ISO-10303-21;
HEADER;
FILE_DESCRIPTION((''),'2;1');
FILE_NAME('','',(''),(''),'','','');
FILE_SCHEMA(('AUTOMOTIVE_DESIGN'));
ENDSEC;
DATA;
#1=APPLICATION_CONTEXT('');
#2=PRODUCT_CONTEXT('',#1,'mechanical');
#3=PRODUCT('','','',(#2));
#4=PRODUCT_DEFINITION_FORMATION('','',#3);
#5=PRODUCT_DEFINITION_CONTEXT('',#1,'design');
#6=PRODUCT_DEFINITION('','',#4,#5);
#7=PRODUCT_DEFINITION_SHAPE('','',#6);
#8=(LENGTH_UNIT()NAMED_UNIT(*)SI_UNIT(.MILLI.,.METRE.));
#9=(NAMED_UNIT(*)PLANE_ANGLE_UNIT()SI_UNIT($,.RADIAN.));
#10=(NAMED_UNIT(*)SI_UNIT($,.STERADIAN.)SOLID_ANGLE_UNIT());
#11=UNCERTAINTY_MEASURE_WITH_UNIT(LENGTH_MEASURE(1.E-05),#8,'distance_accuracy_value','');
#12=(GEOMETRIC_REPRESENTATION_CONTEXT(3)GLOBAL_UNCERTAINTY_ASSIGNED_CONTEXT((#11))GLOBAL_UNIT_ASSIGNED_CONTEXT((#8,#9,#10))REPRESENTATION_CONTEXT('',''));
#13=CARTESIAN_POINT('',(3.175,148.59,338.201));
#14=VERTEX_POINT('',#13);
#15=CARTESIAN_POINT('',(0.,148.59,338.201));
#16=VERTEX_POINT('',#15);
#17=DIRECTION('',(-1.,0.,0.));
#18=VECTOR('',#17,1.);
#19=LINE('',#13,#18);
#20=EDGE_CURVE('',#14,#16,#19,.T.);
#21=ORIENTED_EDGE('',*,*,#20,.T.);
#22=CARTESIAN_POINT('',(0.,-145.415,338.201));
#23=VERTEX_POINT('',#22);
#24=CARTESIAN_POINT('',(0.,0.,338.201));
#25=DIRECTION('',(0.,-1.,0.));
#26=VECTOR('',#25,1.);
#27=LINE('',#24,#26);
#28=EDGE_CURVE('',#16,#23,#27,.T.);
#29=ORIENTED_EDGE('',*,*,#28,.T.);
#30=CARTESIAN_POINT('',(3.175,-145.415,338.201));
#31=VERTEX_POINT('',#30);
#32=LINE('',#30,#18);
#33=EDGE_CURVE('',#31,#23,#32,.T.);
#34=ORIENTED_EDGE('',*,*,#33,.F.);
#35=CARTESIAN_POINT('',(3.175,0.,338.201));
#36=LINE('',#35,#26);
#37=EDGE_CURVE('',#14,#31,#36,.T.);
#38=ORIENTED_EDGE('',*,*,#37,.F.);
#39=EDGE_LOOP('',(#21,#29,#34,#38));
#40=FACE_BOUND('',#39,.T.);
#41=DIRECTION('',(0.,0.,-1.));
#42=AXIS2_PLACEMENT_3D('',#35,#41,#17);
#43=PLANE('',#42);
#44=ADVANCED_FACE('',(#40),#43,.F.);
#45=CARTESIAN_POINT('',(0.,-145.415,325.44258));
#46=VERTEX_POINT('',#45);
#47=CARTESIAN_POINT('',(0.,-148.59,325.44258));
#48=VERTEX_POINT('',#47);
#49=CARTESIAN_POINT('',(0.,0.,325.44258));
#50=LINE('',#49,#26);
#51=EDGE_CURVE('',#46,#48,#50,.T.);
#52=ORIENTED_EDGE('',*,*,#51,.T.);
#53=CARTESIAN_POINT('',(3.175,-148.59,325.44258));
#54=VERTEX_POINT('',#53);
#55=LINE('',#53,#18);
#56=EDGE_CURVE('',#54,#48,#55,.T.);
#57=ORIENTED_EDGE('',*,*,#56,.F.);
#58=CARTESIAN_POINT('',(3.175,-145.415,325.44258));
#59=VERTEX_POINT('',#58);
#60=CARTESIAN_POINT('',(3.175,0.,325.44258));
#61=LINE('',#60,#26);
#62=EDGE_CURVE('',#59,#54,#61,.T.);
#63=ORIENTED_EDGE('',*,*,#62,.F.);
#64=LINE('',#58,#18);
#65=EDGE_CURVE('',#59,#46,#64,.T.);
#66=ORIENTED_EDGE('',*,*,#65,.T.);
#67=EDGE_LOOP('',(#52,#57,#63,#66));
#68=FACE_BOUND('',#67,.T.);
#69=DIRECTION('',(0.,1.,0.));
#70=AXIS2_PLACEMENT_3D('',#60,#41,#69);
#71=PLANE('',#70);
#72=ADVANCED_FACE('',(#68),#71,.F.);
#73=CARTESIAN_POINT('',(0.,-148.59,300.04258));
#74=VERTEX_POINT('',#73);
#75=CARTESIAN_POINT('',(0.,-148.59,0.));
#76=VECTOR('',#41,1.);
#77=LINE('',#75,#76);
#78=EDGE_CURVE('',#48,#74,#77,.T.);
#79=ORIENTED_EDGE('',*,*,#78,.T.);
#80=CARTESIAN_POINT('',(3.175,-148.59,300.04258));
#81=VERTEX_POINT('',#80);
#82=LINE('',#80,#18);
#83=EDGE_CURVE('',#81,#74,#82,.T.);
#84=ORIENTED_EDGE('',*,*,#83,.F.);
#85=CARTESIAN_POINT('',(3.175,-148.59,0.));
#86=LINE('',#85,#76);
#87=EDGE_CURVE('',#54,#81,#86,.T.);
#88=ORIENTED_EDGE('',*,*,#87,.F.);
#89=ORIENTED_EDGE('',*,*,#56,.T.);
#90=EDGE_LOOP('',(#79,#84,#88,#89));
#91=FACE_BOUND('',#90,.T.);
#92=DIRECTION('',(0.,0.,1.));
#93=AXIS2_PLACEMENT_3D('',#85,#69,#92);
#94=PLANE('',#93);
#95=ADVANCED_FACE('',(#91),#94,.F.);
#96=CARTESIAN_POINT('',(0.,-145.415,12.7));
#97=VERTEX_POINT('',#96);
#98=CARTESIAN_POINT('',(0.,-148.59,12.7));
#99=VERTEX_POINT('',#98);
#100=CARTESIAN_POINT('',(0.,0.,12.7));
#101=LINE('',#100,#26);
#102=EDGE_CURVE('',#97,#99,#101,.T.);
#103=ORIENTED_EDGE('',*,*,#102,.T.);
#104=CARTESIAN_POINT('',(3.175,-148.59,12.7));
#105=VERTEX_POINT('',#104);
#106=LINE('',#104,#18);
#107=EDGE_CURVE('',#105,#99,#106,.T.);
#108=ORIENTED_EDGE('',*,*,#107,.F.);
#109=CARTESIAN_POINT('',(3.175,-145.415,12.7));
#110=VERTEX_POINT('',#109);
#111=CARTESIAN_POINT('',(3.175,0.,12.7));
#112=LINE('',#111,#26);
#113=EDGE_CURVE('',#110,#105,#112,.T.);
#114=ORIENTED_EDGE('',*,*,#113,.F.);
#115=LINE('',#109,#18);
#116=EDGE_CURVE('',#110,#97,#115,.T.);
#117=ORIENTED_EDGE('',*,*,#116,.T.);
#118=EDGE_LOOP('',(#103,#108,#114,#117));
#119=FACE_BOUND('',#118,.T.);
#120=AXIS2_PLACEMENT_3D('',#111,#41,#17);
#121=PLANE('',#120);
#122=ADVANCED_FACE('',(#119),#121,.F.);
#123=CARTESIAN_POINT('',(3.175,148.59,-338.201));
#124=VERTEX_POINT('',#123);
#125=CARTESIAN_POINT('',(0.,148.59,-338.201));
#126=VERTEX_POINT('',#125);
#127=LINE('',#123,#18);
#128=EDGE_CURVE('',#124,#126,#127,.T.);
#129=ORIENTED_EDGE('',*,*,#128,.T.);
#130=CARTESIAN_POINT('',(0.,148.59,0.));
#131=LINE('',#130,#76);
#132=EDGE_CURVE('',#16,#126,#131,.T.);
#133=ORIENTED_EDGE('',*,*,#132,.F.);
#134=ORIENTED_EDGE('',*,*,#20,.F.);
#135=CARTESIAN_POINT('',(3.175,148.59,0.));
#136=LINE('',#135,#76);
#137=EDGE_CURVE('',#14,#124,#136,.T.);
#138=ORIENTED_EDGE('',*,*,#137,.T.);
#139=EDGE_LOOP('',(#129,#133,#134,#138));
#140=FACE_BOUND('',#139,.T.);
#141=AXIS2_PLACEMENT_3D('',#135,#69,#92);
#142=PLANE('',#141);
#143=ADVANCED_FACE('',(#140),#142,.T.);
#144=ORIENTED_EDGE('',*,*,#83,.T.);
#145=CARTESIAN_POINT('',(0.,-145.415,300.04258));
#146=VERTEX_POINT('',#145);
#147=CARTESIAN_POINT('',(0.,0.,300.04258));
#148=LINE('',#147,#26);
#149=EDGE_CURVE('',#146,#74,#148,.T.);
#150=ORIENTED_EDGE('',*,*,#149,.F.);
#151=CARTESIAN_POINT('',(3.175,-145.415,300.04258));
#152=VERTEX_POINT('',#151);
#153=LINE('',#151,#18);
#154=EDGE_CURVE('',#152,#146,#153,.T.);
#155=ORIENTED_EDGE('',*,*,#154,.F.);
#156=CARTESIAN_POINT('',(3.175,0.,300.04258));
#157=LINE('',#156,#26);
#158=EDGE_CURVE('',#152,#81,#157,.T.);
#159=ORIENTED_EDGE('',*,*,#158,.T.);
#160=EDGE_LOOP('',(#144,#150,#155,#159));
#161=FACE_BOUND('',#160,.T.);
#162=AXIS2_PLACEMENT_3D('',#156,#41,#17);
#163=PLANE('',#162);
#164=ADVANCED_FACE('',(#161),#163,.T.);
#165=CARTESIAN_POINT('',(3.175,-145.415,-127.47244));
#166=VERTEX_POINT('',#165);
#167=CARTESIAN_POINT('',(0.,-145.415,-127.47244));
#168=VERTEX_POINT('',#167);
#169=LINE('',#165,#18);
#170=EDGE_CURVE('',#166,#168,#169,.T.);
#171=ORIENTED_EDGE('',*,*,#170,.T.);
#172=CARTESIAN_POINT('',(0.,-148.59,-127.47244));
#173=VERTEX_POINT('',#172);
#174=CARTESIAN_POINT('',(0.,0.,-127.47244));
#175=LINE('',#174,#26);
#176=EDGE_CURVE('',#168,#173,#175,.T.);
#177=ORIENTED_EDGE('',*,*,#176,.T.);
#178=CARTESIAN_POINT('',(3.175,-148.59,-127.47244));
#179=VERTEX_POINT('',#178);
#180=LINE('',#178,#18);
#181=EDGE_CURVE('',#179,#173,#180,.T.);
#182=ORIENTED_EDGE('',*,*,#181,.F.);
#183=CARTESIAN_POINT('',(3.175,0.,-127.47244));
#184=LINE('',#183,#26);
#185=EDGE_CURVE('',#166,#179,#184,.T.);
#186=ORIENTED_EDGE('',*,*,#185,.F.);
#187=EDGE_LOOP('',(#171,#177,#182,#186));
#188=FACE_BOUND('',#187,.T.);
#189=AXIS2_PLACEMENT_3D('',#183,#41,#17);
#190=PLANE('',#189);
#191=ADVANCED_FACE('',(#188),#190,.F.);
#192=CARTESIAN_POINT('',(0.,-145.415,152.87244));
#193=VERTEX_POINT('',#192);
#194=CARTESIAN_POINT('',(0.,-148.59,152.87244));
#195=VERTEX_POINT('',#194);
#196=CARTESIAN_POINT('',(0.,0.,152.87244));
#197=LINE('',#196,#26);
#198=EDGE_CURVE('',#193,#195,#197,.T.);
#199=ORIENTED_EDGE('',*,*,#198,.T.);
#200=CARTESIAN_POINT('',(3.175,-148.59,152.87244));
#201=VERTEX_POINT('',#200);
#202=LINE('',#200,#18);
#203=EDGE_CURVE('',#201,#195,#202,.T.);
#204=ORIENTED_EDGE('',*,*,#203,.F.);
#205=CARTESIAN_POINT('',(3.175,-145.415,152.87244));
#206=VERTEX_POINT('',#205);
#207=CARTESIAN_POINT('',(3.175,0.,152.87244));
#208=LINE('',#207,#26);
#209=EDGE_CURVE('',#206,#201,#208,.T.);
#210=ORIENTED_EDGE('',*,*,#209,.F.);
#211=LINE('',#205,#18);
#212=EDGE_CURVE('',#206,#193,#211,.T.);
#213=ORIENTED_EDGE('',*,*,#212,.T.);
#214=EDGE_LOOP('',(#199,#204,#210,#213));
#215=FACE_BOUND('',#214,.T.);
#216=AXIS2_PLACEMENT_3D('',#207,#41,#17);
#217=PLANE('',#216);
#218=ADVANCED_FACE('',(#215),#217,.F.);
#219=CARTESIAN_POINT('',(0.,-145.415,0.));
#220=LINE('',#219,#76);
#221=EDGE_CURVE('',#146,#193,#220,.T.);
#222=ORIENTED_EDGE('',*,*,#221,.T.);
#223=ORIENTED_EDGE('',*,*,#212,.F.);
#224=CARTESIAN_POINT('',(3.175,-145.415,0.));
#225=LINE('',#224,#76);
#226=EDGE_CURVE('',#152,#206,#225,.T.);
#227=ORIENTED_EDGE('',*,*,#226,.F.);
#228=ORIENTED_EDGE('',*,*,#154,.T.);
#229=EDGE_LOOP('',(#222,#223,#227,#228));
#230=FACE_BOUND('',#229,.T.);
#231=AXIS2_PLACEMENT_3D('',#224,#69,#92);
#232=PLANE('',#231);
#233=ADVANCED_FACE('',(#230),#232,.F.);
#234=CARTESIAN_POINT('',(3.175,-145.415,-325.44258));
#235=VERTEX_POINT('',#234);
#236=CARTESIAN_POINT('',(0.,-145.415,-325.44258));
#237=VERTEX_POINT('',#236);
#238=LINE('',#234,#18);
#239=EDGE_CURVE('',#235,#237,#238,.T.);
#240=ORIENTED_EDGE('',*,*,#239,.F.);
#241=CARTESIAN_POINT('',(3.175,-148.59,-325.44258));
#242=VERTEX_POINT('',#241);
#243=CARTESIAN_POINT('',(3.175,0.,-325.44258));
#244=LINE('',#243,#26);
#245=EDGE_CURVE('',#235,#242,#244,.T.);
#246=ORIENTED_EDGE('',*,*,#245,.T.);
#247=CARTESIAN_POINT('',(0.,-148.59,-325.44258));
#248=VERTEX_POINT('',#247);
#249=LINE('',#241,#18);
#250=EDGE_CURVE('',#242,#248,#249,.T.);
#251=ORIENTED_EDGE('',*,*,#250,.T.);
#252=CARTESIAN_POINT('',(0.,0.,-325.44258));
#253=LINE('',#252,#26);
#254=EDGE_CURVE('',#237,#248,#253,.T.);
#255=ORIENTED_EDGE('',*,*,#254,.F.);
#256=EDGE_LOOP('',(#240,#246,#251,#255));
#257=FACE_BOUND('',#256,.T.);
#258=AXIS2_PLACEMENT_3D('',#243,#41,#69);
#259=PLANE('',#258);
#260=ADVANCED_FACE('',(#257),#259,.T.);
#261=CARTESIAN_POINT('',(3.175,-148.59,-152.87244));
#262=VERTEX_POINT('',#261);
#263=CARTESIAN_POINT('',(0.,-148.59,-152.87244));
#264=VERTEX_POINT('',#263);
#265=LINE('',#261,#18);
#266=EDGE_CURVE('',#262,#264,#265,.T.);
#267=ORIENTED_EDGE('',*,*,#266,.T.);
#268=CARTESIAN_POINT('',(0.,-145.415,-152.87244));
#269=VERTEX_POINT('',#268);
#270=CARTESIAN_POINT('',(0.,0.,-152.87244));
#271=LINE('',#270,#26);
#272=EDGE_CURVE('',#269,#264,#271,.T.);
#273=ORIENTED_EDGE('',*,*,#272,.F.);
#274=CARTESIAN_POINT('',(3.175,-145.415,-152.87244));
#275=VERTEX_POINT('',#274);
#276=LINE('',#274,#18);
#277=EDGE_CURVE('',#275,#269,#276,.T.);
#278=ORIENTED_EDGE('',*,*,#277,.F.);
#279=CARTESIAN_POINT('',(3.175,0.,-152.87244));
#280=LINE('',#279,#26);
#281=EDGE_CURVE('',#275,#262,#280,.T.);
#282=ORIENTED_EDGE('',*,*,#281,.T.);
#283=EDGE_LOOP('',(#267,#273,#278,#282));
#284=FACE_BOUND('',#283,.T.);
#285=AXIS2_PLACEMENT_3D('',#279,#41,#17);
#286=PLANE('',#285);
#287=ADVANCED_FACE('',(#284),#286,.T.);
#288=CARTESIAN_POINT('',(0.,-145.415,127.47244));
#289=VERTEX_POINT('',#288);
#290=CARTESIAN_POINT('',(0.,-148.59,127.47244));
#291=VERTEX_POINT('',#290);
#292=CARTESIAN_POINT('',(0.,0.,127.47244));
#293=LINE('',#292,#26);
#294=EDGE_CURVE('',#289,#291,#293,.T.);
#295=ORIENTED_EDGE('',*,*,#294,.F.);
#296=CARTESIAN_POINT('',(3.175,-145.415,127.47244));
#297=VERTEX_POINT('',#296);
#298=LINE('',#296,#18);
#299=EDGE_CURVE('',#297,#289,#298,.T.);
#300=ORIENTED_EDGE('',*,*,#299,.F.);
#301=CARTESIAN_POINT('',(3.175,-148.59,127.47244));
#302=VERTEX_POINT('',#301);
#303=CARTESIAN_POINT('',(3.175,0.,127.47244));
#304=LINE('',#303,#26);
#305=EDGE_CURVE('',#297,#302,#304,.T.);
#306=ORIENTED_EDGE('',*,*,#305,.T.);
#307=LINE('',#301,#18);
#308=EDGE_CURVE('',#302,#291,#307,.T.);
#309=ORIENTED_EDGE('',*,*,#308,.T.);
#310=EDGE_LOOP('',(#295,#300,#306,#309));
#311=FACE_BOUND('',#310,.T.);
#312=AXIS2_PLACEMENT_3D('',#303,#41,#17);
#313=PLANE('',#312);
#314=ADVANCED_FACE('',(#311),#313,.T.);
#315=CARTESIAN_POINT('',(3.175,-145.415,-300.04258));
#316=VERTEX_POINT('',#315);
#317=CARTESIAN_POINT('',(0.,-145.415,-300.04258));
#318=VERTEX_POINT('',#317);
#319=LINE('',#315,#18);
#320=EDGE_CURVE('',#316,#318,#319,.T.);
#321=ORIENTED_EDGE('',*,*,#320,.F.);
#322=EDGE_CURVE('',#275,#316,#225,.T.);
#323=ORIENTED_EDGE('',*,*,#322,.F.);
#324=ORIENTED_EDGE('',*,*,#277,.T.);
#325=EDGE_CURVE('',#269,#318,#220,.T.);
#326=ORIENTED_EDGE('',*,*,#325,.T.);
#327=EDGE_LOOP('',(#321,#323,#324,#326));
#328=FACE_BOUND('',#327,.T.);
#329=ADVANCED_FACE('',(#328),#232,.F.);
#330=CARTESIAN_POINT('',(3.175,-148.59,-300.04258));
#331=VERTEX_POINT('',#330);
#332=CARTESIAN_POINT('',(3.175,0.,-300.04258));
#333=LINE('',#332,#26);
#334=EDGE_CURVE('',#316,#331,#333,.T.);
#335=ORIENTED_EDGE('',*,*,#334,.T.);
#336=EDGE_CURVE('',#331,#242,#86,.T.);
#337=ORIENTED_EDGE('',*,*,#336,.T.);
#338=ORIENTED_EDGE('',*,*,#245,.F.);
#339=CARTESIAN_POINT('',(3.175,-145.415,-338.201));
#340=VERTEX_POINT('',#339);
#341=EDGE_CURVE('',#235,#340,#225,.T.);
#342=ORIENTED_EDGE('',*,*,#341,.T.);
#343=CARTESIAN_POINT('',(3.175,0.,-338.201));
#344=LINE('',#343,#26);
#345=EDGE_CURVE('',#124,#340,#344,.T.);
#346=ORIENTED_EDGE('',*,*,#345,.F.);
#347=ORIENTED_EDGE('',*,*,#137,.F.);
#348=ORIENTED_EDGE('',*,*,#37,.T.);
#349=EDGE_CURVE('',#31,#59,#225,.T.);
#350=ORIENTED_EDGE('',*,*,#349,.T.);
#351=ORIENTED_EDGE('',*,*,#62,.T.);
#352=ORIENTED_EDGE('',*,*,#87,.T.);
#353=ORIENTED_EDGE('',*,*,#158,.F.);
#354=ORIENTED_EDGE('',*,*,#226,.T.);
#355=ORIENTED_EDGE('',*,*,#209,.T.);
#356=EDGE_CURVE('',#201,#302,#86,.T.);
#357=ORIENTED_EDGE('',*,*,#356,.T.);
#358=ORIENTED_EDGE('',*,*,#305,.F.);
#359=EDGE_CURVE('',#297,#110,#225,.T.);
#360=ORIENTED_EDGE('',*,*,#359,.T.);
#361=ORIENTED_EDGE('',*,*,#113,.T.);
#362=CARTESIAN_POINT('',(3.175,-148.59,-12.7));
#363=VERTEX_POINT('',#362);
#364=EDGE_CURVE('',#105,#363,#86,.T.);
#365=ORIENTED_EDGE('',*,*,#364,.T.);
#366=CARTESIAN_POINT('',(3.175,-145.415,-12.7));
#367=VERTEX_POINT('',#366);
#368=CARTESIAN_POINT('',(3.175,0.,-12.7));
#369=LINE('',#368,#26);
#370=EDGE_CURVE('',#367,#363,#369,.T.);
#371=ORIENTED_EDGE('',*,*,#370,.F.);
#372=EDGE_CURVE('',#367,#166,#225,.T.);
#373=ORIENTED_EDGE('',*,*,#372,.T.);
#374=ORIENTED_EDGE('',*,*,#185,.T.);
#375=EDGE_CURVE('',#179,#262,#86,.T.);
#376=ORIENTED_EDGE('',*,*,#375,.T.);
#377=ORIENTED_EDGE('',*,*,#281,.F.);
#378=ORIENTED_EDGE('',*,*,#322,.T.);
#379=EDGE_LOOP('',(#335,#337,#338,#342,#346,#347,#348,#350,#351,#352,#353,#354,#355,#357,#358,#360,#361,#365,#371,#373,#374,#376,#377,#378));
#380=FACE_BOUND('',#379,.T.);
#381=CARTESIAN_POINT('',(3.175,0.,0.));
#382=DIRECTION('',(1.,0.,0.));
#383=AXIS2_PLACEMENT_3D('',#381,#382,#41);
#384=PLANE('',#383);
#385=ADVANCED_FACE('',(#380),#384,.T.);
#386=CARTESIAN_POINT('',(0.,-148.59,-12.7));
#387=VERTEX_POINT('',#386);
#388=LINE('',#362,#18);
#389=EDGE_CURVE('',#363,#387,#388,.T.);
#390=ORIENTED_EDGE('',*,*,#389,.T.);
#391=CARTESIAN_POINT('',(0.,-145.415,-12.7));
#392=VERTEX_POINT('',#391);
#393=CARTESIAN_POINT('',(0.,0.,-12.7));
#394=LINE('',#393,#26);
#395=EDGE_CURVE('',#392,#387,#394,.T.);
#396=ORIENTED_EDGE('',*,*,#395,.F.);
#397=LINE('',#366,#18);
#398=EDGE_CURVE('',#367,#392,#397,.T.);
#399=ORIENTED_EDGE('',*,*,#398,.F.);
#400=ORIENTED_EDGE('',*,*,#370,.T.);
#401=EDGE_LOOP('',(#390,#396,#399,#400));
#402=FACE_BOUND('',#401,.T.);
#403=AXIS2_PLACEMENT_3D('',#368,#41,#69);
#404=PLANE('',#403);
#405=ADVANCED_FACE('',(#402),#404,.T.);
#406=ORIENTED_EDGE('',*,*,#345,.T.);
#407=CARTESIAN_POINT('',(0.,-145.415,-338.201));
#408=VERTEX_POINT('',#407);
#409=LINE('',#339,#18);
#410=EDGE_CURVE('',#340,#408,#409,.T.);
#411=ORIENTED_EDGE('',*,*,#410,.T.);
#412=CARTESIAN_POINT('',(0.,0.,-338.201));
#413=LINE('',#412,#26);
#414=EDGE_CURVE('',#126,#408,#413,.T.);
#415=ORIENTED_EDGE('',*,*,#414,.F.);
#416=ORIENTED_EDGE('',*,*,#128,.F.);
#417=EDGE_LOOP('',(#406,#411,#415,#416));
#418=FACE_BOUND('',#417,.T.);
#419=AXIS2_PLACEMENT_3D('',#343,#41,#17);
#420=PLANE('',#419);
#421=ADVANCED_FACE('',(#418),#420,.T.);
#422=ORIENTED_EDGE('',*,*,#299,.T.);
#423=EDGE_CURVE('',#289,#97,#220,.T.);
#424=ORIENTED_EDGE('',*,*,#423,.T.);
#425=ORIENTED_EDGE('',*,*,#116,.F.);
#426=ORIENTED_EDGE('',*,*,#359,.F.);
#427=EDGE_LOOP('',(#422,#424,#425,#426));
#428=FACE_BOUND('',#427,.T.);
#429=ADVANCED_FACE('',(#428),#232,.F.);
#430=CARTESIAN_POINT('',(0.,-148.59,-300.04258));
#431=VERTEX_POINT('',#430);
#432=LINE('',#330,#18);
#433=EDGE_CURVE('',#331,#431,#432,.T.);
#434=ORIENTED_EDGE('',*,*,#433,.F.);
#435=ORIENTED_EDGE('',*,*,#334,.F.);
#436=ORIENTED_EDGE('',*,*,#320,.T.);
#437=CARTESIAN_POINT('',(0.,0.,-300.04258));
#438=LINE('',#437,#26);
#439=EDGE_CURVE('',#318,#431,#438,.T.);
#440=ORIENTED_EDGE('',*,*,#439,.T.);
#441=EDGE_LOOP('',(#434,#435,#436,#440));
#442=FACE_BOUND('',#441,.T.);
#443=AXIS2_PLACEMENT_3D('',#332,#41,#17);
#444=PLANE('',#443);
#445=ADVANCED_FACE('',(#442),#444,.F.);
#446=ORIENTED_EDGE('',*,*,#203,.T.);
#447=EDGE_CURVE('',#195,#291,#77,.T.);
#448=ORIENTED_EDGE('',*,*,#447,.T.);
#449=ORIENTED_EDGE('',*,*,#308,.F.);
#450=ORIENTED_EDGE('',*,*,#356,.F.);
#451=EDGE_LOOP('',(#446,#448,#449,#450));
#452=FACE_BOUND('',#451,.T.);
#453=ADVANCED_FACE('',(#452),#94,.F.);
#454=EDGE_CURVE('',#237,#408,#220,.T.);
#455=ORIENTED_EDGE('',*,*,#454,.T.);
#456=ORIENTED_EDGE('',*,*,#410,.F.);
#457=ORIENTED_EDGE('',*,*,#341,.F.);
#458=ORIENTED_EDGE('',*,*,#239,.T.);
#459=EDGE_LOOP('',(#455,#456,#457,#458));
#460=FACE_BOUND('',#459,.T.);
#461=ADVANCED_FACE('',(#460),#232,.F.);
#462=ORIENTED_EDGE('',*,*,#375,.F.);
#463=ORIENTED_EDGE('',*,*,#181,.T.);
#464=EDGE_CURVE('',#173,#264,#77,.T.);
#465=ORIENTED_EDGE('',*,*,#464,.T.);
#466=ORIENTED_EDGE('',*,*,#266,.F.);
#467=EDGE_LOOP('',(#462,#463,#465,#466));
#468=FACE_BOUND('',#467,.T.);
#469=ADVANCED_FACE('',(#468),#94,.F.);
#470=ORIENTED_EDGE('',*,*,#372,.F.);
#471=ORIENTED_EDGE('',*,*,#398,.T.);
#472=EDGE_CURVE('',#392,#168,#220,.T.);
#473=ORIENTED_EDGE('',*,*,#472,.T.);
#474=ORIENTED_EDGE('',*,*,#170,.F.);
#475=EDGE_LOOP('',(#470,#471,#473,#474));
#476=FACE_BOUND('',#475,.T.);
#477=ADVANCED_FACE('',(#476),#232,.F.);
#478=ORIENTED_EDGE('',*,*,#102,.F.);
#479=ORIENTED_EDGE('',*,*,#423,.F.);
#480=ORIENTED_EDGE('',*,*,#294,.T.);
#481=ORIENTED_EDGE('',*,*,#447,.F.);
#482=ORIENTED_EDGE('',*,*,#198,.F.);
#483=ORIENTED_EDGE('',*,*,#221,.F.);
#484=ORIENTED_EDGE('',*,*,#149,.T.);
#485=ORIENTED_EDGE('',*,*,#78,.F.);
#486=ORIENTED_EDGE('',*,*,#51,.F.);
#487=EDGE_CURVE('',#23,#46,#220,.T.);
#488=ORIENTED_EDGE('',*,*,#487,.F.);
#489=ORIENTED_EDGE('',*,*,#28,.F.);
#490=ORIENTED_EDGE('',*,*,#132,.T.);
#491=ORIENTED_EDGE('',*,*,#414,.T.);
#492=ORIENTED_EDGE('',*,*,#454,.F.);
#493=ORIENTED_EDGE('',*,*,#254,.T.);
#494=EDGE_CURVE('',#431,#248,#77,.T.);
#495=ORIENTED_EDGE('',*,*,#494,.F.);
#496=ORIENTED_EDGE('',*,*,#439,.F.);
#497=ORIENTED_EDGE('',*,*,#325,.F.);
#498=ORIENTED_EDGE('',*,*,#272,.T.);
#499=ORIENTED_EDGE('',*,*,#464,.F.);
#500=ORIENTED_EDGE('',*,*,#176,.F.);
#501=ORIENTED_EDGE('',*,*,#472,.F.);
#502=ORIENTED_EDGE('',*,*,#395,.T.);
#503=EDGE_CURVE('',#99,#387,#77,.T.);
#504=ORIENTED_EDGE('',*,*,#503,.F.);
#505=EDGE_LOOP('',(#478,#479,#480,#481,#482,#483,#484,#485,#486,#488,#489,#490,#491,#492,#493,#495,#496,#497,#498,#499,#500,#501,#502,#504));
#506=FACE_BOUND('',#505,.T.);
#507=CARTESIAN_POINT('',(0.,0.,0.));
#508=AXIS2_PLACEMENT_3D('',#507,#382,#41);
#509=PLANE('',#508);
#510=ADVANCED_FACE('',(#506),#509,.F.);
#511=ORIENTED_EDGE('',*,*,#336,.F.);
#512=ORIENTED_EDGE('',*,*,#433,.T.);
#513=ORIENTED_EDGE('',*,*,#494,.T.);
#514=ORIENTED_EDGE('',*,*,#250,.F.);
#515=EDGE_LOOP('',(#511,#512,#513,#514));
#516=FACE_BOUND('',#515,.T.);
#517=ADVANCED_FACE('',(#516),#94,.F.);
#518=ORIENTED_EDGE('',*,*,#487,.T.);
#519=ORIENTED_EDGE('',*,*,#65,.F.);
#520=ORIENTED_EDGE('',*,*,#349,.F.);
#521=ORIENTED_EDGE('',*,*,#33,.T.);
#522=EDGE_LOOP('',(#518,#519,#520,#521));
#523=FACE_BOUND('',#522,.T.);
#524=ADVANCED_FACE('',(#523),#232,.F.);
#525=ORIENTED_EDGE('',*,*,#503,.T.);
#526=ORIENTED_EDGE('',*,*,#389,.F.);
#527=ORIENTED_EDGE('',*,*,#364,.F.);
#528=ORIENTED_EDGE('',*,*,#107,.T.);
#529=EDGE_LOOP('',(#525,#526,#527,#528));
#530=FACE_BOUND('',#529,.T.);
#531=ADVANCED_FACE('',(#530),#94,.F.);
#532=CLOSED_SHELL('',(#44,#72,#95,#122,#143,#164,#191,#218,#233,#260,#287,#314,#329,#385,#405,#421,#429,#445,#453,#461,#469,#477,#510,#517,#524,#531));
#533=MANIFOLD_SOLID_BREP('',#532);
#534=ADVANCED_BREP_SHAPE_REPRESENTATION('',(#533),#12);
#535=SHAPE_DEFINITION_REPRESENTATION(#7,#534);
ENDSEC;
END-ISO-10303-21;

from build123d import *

# Parameters (mm, degrees)
SKETCH1_W           = 25.4
SKETCH1_H           = 3.175
BOSS_EXTRUDE1_DEPTH = 3.175


with BuildPart() as part:
    # Sketch1 → Boss-Extrude1 (new body)
    with BuildSketch(Plane(origin=(0, 0, 0), x_dir=(0, 0, -1), z_dir=(1, 0, 0))):
        Polygon((-12.7, -145.415), (12.7, -145.415), (127.47244, -145.415), (152.87244, -145.415), (300.04258, -145.415), (300.04258, -148.59), (325.44258, -148.59), (325.44258, -145.415), (338.201, -145.415), (338.201, 148.59), (-338.201, 148.59), (-338.201, -145.415), (-325.44258, -145.415), (-325.44258, -148.59), (-300.04258, -148.59), (-300.04258, -145.415), (-152.87244, -145.415), (-127.47244, -145.415), align=None)
        with Locations((0, -147.0025)):
            Rectangle(SKETCH1_W, SKETCH1_H)
        with Locations((-140.17244, -147.0025)):
            Rectangle(SKETCH1_W, SKETCH1_H)
        with Locations((140.17244, -147.0025)):
            Rectangle(SKETCH1_W, SKETCH1_H)
    extrude(amount=BOSS_EXTRUDE1_DEPTH)


solid = part.part
